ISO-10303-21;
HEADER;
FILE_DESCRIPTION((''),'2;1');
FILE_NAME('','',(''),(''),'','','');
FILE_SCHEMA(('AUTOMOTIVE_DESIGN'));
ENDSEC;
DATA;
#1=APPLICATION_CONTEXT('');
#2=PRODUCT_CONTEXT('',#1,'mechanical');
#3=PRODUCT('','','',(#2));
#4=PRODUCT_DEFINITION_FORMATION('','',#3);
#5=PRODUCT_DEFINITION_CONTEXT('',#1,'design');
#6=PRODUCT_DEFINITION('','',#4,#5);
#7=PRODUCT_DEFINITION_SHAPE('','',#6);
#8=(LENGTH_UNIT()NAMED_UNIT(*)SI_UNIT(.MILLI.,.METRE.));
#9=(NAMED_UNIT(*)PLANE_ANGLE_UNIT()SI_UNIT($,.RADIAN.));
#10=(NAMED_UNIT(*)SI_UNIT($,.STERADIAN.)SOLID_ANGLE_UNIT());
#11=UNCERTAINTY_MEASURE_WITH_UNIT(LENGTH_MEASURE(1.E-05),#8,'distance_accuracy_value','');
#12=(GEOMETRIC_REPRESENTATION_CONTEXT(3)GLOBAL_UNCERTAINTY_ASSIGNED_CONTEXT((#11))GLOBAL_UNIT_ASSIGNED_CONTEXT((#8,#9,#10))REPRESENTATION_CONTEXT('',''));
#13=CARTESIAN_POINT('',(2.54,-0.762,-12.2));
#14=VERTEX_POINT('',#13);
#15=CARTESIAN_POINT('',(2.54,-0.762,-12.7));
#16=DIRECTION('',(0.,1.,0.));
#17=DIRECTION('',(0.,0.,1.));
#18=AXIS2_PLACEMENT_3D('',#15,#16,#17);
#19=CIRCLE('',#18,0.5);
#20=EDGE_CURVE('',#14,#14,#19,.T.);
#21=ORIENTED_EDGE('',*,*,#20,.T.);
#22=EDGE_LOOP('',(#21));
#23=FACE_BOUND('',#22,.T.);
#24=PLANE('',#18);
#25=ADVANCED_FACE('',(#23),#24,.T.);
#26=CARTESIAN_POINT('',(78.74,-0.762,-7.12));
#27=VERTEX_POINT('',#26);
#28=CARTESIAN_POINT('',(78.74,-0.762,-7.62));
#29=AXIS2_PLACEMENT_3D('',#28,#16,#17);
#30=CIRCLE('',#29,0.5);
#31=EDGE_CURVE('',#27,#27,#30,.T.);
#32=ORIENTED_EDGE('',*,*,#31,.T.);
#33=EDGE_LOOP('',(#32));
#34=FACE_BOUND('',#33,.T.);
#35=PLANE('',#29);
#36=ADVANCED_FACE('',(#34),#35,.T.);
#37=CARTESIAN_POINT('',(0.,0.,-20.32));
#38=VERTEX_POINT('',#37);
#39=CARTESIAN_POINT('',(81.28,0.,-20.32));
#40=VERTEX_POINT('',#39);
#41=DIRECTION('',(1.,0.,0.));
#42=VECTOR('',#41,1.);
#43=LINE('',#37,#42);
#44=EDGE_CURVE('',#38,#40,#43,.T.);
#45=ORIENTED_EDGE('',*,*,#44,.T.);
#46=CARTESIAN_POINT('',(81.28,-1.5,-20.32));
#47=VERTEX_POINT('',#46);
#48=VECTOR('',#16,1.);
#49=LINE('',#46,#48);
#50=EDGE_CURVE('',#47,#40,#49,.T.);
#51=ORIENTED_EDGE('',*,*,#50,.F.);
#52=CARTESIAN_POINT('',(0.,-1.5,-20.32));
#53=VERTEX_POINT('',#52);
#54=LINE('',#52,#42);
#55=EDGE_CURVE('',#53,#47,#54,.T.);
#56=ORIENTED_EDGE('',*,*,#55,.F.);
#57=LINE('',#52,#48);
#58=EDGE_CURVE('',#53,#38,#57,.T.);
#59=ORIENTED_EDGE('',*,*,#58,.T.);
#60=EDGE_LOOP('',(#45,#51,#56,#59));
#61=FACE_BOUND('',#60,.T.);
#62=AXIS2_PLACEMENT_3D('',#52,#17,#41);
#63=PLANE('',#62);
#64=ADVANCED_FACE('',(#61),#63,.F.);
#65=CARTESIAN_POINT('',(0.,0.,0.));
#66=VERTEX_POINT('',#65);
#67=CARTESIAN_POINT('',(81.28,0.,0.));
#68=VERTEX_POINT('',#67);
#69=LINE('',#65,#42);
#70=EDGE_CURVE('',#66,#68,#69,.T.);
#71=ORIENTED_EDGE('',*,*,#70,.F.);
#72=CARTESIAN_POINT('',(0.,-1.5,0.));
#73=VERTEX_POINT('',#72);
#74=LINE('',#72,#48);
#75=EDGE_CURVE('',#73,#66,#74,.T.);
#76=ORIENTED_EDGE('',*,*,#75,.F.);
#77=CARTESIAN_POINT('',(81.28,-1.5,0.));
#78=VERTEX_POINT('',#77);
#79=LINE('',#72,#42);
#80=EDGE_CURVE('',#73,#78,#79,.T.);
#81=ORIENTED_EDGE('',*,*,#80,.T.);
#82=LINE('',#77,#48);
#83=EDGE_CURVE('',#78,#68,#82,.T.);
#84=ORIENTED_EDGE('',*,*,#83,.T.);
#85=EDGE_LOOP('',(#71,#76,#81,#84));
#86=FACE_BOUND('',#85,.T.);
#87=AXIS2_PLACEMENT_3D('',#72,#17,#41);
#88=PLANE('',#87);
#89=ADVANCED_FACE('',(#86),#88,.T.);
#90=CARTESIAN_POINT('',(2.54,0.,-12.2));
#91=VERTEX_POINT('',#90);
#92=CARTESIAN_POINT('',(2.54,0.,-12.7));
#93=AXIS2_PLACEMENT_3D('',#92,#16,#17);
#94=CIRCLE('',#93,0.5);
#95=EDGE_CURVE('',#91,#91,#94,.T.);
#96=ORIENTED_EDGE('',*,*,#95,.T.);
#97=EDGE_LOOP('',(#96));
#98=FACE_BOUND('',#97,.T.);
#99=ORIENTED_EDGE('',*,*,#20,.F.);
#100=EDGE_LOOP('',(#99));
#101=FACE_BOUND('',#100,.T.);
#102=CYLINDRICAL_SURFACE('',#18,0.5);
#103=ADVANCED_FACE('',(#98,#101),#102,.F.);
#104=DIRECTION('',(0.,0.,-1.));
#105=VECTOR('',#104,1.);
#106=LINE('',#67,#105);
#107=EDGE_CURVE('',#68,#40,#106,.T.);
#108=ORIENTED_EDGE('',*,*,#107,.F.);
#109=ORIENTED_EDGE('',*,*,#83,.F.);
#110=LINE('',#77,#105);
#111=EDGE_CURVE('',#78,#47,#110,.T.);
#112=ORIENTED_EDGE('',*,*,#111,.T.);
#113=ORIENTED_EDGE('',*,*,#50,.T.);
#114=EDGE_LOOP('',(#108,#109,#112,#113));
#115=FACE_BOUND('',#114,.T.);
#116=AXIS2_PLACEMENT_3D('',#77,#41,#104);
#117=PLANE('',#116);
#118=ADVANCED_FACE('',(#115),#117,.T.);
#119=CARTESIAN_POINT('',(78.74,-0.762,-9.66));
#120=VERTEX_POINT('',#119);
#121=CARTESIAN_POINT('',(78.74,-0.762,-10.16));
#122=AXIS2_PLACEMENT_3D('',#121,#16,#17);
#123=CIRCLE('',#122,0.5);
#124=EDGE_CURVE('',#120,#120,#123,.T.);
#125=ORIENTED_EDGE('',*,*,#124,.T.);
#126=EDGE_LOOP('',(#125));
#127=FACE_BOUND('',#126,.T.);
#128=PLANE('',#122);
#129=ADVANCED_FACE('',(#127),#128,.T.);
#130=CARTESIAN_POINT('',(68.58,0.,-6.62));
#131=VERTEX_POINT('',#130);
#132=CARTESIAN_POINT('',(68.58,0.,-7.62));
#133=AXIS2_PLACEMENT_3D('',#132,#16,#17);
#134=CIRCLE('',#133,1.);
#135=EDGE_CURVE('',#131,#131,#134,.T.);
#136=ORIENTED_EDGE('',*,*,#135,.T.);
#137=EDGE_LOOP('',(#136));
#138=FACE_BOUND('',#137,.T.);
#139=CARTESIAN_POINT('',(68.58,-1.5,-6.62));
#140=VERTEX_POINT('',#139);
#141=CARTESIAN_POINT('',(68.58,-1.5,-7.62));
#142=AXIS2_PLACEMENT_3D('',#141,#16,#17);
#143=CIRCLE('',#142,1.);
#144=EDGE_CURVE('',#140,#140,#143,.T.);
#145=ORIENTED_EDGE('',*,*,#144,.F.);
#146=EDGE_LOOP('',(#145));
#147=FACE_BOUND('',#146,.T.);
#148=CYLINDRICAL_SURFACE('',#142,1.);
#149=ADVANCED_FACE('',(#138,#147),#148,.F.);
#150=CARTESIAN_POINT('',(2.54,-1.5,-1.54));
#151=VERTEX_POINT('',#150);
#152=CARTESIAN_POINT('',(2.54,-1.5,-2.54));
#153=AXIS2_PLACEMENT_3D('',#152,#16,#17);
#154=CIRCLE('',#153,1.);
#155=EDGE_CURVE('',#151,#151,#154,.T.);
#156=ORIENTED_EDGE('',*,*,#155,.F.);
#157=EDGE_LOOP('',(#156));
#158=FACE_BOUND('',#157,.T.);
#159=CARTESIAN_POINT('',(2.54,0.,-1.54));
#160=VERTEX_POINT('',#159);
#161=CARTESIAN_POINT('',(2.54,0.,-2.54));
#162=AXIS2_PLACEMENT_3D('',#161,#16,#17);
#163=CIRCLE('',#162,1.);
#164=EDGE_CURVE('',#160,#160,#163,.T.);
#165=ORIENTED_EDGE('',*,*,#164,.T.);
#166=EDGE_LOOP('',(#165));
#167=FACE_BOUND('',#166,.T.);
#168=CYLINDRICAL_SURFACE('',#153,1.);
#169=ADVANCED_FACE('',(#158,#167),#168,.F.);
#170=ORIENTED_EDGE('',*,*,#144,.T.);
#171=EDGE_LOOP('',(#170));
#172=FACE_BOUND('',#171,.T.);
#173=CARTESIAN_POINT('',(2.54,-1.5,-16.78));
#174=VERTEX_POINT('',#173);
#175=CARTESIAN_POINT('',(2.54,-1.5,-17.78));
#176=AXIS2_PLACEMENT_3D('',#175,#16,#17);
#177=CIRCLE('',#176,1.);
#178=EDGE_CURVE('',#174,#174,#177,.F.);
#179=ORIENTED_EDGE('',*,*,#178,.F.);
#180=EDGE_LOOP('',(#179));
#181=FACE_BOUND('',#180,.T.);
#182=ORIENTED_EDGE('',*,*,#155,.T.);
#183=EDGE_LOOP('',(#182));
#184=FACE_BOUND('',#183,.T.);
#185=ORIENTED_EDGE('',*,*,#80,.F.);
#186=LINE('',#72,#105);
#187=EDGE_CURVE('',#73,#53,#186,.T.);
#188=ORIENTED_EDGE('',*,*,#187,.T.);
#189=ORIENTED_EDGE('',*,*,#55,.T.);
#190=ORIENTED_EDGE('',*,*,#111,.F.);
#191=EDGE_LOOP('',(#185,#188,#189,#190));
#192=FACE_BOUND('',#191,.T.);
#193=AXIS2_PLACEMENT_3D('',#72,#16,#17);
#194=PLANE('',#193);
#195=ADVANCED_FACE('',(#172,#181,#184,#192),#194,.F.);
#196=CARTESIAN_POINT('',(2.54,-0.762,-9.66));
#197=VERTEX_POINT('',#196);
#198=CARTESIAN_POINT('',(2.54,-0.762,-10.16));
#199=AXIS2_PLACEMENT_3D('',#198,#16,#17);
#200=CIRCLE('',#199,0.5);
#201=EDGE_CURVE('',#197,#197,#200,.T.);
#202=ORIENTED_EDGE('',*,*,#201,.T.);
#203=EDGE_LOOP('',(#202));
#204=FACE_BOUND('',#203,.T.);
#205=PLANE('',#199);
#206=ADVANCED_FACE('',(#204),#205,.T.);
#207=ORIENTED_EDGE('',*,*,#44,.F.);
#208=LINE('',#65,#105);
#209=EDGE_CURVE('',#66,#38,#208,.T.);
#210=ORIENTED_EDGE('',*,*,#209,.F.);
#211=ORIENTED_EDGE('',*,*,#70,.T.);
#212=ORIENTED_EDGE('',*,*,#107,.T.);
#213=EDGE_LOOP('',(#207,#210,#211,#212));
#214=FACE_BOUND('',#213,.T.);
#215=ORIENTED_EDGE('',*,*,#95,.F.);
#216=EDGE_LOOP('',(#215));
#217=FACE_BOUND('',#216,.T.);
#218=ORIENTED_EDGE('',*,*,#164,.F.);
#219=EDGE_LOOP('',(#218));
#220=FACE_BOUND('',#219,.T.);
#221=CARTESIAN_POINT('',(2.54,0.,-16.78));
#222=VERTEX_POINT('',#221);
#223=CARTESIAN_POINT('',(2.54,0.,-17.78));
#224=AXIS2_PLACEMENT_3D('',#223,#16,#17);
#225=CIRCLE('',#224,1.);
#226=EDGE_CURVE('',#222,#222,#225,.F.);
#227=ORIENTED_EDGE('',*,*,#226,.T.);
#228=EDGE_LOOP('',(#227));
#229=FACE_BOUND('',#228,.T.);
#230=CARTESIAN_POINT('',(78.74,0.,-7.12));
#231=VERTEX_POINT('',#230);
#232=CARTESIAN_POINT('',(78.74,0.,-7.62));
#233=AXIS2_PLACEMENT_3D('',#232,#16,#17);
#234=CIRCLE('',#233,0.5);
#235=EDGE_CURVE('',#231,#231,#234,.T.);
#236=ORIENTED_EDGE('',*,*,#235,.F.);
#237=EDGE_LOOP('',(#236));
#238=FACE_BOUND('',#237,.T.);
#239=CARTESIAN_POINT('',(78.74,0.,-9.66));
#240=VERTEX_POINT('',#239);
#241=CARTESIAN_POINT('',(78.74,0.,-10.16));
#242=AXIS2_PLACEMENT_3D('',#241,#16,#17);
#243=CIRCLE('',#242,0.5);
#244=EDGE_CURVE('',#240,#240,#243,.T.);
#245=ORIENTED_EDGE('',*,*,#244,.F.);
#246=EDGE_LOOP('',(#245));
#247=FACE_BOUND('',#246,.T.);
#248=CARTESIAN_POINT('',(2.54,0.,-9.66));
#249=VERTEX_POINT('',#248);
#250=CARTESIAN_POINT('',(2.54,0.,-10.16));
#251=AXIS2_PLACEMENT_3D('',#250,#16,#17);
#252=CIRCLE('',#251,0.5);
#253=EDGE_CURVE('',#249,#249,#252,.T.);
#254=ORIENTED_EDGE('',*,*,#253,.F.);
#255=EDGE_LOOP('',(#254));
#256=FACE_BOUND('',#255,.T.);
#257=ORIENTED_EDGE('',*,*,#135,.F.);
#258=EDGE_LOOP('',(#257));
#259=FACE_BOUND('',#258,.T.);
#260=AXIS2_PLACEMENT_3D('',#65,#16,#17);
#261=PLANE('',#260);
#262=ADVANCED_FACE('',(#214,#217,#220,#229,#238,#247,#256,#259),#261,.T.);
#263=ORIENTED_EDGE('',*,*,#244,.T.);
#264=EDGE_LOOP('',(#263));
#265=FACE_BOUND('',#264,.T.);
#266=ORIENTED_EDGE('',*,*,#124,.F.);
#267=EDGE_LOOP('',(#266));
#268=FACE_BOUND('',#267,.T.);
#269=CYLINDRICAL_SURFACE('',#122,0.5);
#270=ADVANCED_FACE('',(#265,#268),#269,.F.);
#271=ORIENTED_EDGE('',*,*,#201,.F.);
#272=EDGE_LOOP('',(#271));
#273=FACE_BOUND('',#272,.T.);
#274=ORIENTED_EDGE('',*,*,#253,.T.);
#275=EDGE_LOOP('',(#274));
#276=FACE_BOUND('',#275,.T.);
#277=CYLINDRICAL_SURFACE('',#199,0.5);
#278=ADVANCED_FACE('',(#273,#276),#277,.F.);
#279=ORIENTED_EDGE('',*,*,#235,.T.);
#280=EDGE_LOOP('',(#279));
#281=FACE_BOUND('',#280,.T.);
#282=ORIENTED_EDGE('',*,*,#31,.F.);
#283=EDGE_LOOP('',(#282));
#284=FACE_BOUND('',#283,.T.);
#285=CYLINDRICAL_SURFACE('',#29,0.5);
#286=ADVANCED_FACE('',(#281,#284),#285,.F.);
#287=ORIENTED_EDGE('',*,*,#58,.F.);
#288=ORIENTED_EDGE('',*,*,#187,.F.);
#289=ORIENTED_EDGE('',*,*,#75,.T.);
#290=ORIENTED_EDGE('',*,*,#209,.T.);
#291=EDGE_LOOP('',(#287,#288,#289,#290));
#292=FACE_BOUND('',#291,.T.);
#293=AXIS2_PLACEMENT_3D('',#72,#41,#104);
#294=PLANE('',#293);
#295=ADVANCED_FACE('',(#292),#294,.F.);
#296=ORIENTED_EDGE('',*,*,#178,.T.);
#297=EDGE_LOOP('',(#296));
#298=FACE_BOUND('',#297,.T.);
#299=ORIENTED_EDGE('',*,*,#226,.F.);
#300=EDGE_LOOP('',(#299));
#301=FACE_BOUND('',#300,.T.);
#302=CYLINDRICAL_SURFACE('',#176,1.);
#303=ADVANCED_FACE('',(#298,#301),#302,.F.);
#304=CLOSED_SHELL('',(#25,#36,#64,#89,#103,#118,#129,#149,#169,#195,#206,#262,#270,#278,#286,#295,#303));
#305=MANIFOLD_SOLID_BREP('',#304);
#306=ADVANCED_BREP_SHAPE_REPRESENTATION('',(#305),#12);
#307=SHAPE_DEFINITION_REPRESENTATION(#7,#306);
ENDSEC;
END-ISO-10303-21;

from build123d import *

# Parameters (mm, degrees)
SKETCH1_W           = 81.28
SKETCH1_H           = 20.32
SKETCH1_R           = 1
BOSS_EXTRUDE1_DEPTH = 1.5
SKETCH1_3_R         = 0.5
CUT_EXTRUDE1_DEPTH  = 0.762


with BuildPart() as part:
    # Sketch1 → Boss-Extrude1 (new body)
    with BuildSketch(Plane(origin=(0, 0, 0), x_dir=(1, 0, 0), z_dir=(0, 1, 0))):
        with Locations((40.64, 10.16)):
            Rectangle(SKETCH1_W, SKETCH1_H)
        with Locations(Location((2.54, 2.54, 0), (0, 0, 270))):  # turned: the seam where the file's is
            Circle(SKETCH1_R, mode=Mode.SUBTRACT)
        with Locations(Location((68.58, 7.62, 0), (0, 0, 270))):  # turned: the seam where the file's is
            Circle(SKETCH1_R, mode=Mode.SUBTRACT)
        with Locations(Location((2.54, 17.78, 0), (0, 0, 270))):  # turned: the seam where the file's is
            Circle(SKETCH1_R, mode=Mode.SUBTRACT)
    extrude(amount=-BOSS_EXTRUDE1_DEPTH)

    # Sketch1_3 → Cut-Extrude1 (cut)
    with BuildSketch(Plane(origin=(0, 0, 0), x_dir=(1, 0, 0), z_dir=(0, 1, 0))):
        with Locations(Location((2.54, 12.7, 0), (0, 0, 270))):  # turned: the seam where the file's is
            Circle(SKETCH1_3_R)
        with Locations(Location((2.54, 10.16, 0), (0, 0, 270))):  # turned: the seam where the file's is
            Circle(SKETCH1_3_R)
        with Locations(Location((78.74, 7.62, 0), (0, 0, 270))):  # turned: the seam where the file's is
            Circle(SKETCH1_3_R)
        with Locations(Location((78.74, 10.16, 0), (0, 0, 270))):  # turned: the seam where the file's is
            Circle(SKETCH1_3_R)
    extrude(amount=-CUT_EXTRUDE1_DEPTH, mode=Mode.SUBTRACT)


solid = part.part
